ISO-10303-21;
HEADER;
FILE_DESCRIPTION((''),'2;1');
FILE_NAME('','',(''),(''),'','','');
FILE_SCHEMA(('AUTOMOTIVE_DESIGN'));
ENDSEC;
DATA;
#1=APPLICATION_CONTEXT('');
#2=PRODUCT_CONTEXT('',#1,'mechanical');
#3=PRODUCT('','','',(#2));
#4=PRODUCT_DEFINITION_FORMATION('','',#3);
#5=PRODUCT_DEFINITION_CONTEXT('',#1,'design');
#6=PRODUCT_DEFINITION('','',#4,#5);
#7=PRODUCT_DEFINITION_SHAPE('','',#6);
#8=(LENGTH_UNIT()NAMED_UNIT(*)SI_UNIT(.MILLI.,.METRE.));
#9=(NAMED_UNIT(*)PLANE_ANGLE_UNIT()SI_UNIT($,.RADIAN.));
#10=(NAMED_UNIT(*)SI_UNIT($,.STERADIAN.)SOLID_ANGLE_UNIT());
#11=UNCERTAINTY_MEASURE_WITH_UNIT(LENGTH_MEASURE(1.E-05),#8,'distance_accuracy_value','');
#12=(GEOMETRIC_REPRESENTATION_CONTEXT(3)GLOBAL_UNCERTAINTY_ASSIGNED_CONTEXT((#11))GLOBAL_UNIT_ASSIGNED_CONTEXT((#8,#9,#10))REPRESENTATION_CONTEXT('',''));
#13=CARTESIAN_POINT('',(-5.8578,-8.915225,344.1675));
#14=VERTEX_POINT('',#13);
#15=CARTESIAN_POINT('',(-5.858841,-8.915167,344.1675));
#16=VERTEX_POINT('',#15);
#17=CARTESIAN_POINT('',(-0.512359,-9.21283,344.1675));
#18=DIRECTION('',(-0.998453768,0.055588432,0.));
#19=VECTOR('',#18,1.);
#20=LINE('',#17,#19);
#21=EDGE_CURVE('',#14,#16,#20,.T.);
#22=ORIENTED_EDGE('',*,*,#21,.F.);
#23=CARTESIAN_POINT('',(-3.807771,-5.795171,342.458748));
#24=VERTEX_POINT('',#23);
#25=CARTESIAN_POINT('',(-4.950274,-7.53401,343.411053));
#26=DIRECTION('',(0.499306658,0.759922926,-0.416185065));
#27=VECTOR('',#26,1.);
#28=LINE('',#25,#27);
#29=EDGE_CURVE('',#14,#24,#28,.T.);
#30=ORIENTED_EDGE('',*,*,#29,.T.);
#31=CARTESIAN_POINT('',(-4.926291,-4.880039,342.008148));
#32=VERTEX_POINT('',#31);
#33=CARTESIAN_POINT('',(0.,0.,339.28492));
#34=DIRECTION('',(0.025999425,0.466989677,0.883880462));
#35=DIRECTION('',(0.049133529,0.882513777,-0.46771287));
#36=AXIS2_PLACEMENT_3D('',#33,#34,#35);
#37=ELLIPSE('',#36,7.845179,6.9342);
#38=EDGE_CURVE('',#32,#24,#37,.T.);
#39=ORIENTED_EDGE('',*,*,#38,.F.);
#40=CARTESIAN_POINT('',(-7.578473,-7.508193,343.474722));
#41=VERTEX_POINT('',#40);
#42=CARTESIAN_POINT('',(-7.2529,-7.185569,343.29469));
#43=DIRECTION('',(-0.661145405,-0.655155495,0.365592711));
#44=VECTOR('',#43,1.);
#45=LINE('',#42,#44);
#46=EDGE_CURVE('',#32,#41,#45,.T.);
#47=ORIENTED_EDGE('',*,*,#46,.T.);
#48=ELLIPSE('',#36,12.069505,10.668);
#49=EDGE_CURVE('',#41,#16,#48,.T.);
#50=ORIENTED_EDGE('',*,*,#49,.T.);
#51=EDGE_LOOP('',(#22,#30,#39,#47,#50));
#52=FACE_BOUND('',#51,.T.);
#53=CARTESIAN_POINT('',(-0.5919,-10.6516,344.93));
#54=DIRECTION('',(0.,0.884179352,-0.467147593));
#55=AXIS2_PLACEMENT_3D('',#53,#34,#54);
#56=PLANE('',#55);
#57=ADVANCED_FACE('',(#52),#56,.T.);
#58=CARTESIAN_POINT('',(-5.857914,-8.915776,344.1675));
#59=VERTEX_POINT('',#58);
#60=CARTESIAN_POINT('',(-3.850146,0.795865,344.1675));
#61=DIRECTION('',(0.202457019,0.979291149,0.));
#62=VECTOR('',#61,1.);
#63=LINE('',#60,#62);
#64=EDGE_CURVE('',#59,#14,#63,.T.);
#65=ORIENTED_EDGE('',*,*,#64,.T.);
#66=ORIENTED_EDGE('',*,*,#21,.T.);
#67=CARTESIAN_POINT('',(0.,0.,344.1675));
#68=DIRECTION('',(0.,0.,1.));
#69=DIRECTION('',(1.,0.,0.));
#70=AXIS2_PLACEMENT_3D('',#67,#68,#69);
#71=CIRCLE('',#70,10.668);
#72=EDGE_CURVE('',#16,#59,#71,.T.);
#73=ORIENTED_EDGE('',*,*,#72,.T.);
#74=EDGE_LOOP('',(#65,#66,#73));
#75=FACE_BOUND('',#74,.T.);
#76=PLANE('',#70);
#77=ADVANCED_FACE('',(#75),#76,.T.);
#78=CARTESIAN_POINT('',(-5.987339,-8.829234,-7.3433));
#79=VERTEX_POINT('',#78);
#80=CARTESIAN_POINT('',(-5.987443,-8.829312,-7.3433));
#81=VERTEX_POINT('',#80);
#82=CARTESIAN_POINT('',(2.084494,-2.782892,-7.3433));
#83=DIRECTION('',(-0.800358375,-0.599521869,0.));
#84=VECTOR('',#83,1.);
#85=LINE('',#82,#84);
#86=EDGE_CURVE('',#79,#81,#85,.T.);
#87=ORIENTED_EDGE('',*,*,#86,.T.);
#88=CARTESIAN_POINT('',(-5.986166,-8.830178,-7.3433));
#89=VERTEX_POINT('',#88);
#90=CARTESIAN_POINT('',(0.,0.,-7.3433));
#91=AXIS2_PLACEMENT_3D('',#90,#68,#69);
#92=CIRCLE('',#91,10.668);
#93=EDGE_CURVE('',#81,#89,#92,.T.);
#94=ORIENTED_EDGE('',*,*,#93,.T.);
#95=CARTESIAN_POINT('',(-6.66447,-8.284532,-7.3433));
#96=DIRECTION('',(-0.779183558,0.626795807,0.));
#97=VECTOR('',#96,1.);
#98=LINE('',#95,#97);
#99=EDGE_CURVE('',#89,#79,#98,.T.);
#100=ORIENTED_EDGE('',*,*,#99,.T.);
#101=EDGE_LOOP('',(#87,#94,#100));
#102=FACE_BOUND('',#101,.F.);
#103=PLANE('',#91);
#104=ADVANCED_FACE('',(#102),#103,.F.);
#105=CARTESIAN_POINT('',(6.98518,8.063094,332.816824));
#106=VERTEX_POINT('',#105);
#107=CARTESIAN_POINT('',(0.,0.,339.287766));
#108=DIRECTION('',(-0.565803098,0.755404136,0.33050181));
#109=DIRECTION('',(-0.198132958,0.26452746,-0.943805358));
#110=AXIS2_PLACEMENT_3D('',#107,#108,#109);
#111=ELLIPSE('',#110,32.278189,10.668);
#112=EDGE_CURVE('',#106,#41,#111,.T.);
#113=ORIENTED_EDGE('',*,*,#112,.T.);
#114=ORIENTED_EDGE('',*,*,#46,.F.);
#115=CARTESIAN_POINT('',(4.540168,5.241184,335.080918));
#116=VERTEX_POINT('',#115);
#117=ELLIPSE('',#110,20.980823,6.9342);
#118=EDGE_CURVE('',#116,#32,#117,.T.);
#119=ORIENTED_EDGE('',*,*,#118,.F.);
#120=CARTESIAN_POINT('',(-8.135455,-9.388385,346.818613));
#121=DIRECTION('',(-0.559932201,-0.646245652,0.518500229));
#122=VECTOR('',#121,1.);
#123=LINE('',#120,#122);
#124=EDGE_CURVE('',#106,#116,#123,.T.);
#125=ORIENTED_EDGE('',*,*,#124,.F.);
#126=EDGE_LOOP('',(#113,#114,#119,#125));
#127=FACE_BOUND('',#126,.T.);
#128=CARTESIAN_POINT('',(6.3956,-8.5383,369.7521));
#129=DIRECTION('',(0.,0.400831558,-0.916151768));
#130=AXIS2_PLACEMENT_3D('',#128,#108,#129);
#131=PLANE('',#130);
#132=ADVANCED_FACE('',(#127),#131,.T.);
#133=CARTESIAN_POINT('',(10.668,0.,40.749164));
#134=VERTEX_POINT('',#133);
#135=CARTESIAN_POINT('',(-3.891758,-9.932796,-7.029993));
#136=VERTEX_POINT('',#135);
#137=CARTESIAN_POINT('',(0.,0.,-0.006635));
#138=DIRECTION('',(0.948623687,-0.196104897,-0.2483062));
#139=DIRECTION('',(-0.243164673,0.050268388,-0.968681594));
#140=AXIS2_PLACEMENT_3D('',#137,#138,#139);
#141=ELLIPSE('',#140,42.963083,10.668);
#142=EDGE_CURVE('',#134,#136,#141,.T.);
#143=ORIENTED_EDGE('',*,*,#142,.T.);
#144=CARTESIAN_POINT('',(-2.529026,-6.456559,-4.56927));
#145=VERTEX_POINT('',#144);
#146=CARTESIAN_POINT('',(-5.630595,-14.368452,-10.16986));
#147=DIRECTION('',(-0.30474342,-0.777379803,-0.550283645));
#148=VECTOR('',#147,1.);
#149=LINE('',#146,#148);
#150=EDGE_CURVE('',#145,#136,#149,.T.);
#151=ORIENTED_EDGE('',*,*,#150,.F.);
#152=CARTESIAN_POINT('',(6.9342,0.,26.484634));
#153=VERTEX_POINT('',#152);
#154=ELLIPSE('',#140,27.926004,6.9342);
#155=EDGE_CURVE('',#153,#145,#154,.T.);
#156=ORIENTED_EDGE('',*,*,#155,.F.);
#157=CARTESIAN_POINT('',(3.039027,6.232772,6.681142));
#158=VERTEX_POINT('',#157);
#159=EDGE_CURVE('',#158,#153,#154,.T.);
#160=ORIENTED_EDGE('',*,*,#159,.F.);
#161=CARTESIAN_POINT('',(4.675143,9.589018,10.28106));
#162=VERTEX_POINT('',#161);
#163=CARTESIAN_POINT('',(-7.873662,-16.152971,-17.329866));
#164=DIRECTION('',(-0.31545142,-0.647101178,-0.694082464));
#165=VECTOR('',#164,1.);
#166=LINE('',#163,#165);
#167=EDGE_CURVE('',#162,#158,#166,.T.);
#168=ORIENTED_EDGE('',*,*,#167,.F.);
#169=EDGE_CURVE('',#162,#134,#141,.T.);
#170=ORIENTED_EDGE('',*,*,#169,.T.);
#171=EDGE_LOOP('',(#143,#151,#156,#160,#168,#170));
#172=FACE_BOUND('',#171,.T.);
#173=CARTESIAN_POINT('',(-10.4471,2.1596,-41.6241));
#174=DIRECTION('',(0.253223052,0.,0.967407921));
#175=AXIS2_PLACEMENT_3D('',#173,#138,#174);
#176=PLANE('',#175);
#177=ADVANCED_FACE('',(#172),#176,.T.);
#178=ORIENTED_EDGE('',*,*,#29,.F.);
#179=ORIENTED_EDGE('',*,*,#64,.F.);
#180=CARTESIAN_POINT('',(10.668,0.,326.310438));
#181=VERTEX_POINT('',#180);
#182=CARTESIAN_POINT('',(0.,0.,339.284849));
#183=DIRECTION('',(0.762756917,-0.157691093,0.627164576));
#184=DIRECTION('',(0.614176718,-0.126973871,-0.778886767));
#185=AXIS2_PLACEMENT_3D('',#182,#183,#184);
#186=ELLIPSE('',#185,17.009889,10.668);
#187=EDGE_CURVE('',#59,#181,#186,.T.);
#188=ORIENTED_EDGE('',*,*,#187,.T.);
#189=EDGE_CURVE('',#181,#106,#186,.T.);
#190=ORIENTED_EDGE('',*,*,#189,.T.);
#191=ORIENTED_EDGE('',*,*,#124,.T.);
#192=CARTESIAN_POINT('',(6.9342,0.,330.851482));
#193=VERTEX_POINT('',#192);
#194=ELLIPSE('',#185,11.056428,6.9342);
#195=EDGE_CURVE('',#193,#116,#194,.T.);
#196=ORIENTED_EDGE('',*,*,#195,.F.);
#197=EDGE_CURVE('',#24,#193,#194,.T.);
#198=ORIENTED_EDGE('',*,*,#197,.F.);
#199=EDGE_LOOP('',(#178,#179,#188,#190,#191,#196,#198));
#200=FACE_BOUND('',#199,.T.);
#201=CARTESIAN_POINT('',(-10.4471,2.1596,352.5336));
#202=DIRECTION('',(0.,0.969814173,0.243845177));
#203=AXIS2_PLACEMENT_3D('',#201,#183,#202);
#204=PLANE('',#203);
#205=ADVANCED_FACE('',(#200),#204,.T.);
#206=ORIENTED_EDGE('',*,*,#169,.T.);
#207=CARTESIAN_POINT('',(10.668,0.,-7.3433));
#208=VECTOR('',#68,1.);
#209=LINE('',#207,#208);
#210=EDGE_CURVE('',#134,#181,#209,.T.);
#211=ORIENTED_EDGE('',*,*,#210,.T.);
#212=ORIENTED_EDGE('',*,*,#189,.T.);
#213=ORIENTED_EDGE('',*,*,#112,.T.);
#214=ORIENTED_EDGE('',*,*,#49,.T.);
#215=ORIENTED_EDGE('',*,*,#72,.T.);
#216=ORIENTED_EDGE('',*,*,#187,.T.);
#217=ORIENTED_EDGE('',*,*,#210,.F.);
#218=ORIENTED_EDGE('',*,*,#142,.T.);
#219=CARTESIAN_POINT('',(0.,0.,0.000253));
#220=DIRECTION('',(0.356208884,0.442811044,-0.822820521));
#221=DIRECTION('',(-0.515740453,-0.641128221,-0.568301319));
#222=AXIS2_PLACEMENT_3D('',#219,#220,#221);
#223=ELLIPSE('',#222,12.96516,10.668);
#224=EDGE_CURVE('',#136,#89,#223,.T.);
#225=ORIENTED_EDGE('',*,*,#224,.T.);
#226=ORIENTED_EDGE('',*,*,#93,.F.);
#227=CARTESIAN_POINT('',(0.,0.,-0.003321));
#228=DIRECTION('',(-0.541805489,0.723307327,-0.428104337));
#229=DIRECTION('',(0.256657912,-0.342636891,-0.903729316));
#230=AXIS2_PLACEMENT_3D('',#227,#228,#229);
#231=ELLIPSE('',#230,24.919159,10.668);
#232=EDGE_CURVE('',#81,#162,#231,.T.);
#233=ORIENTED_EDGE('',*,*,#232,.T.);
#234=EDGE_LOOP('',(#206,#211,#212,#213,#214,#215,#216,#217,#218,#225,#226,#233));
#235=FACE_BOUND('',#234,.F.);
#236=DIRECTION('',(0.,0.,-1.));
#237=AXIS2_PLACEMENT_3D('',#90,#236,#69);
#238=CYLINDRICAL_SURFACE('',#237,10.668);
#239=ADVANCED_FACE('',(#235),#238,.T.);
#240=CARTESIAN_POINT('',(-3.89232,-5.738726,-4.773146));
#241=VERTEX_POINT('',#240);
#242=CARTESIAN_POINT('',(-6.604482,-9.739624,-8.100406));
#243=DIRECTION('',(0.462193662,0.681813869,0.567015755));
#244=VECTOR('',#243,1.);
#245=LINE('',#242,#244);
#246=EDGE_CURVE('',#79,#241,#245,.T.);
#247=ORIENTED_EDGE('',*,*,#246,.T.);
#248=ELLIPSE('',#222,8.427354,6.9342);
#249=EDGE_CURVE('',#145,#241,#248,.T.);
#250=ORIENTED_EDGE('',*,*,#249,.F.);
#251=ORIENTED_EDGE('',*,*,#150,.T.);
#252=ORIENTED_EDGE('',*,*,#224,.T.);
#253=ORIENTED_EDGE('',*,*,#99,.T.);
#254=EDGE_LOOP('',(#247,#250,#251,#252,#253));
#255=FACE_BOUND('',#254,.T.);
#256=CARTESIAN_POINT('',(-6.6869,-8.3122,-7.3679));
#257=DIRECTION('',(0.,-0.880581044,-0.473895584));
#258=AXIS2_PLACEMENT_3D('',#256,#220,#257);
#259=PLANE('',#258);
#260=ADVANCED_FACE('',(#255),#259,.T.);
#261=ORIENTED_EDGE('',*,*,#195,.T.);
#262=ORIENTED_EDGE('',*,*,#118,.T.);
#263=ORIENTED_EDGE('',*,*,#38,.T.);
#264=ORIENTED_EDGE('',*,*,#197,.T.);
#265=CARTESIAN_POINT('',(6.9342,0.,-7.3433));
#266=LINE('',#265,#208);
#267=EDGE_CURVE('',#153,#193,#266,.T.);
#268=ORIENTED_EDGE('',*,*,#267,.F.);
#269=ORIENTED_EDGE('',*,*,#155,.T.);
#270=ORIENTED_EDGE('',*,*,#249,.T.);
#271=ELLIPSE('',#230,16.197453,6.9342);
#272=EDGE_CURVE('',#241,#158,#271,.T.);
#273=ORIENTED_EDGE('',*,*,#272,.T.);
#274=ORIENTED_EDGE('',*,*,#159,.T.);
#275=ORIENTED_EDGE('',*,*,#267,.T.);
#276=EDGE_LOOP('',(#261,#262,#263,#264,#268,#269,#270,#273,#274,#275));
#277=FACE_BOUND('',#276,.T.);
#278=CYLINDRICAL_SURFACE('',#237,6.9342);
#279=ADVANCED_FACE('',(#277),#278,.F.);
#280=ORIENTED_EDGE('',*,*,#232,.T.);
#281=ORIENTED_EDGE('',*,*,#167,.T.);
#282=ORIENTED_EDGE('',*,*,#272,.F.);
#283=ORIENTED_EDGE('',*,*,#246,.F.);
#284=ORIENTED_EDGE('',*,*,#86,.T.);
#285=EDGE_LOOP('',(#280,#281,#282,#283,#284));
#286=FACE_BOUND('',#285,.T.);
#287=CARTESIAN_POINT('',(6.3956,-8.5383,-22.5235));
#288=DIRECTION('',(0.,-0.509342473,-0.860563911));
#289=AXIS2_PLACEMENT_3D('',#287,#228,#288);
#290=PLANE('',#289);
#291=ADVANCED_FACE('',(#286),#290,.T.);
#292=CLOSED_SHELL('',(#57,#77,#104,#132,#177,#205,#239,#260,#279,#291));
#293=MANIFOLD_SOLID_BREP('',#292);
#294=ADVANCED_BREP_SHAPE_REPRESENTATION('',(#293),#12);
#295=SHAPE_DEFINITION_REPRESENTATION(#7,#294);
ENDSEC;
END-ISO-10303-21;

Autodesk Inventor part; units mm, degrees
ref_plane "Start Plane" through (0, 0, -7.3433) normal (0, 0, 1) x (1, 0, 0)
ref_plane "End Plane" through (0, 0, 344.1675) normal (0, 0, 1) x (1, 0, 0)
sketch "Sketch" plane through (0, 0, 0) normal (0, 0, 1) x (1, 0, 0)
  circle A0 centre (0, 0) radius 6.9342
  circle A1 centre (0, 0) radius 10.668
  dimension "d0" = 21.336
  dimension "d1" = 3.7338
extrude "Body" add sketch "Sketch" along normal up to surface (351.5108 mm away) from surface at -7.3433
sketch "Sketch3" plane through (0, 0, 0) normal (0, 0, 1) x (1, 0, 0)
  line L0 (0, 0) -> (10, 0)
ref_plane "Work Plane3" through (0, 0, 0) normal (0, -1, 0) x (1, 0, 0)
sketch "Sketch4" plane through (0, 0, 0) normal (0, -1, 0) x (1, 0, 0)
  line L0 (-2, -7.3433) -> (12, -7.3433)
  line L1 (-2, 344.1675) -> (12, 344.1675)
  dimension "d7" = 351.5108
ref_plane "Work Plane4" through (-6.6869, -8.3122, -7.3679) normal (0.3562, 0.4428, -0.8228) x (0.2838, -0.8903, -0.3562)
split "Split1" plane through (-6.6869, -8.3122, -7.3679) removes the side toward (0.3562, 0.4428, -0.8228)
ref_plane "Work Plane5" through (6.3956, -8.5383, -22.5235) normal (-0.5418, 0.7233, -0.4281) x (0.4867, 0.6852, 0.5418)
split "Split2" plane through (6.3956, -8.5383, -22.5235) removes the side toward (-0.5418, 0.7233, -0.4281)
ref_plane "Work Plane6" through (-10.4471, 2.1596, -41.6241) normal (0.9486, -0.1961, -0.2483) x (-0.1971, 0.2475, -0.9486)
split "Split3" plane through (-10.4471, 2.1596, -41.6241) removes the side toward (0.9486, -0.1961, -0.2483)
ref_plane "Work Plane7" through (-0.5919, -10.6516, 344.93) normal (0.026, 0.467, 0.8839) x (0.9996, -0.0064, -0.026)
split "Split4" plane through (-0.5919, -10.6516, 344.93) removes the side toward (0.026, 0.467, 0.8839)
ref_plane "Work Plane8" through (-10.4471, 2.1596, 352.5336) normal (0.7628, -0.1577, 0.6272) x (0.6424, 0.0739, -0.7628)
split "Split5" plane through (-10.4471, 2.1596, 352.5336) removes the side toward (0.7628, -0.1577, 0.6272)
ref_plane "Work Plane9" through (6.3956, -8.5383, 369.7521) normal (-0.5658, 0.7554, 0.3305) x (0.7594, 0.3213, 0.5658)
split "Split6" plane through (6.3956, -8.5383, 369.7521) removes the side toward (-0.5658, 0.7554, 0.3305)
equation "\"d0\" = G_H"
equation "\"d1\" = G_T"
equation "\"d2\" = G_L"
equation "\"G_H\" = 21.336"
equation "\"G_T\" = 3.7338"
equation "\"G_L\" = 351.51084"
equation "\"G_OFFSET_START\" = 7.34335"
equation "\"G_OFFSET_END\" = 4.88279"
equation "\"d4\" = -G_OFFSET_START"
equation "\"d5\" = G_OFFSET_END + B_L"
equation "\"B_L\" = 339.28471"
properties part number "ANSI - 1/2 x 0.147 - 13.839" material "Steel, Mild"
